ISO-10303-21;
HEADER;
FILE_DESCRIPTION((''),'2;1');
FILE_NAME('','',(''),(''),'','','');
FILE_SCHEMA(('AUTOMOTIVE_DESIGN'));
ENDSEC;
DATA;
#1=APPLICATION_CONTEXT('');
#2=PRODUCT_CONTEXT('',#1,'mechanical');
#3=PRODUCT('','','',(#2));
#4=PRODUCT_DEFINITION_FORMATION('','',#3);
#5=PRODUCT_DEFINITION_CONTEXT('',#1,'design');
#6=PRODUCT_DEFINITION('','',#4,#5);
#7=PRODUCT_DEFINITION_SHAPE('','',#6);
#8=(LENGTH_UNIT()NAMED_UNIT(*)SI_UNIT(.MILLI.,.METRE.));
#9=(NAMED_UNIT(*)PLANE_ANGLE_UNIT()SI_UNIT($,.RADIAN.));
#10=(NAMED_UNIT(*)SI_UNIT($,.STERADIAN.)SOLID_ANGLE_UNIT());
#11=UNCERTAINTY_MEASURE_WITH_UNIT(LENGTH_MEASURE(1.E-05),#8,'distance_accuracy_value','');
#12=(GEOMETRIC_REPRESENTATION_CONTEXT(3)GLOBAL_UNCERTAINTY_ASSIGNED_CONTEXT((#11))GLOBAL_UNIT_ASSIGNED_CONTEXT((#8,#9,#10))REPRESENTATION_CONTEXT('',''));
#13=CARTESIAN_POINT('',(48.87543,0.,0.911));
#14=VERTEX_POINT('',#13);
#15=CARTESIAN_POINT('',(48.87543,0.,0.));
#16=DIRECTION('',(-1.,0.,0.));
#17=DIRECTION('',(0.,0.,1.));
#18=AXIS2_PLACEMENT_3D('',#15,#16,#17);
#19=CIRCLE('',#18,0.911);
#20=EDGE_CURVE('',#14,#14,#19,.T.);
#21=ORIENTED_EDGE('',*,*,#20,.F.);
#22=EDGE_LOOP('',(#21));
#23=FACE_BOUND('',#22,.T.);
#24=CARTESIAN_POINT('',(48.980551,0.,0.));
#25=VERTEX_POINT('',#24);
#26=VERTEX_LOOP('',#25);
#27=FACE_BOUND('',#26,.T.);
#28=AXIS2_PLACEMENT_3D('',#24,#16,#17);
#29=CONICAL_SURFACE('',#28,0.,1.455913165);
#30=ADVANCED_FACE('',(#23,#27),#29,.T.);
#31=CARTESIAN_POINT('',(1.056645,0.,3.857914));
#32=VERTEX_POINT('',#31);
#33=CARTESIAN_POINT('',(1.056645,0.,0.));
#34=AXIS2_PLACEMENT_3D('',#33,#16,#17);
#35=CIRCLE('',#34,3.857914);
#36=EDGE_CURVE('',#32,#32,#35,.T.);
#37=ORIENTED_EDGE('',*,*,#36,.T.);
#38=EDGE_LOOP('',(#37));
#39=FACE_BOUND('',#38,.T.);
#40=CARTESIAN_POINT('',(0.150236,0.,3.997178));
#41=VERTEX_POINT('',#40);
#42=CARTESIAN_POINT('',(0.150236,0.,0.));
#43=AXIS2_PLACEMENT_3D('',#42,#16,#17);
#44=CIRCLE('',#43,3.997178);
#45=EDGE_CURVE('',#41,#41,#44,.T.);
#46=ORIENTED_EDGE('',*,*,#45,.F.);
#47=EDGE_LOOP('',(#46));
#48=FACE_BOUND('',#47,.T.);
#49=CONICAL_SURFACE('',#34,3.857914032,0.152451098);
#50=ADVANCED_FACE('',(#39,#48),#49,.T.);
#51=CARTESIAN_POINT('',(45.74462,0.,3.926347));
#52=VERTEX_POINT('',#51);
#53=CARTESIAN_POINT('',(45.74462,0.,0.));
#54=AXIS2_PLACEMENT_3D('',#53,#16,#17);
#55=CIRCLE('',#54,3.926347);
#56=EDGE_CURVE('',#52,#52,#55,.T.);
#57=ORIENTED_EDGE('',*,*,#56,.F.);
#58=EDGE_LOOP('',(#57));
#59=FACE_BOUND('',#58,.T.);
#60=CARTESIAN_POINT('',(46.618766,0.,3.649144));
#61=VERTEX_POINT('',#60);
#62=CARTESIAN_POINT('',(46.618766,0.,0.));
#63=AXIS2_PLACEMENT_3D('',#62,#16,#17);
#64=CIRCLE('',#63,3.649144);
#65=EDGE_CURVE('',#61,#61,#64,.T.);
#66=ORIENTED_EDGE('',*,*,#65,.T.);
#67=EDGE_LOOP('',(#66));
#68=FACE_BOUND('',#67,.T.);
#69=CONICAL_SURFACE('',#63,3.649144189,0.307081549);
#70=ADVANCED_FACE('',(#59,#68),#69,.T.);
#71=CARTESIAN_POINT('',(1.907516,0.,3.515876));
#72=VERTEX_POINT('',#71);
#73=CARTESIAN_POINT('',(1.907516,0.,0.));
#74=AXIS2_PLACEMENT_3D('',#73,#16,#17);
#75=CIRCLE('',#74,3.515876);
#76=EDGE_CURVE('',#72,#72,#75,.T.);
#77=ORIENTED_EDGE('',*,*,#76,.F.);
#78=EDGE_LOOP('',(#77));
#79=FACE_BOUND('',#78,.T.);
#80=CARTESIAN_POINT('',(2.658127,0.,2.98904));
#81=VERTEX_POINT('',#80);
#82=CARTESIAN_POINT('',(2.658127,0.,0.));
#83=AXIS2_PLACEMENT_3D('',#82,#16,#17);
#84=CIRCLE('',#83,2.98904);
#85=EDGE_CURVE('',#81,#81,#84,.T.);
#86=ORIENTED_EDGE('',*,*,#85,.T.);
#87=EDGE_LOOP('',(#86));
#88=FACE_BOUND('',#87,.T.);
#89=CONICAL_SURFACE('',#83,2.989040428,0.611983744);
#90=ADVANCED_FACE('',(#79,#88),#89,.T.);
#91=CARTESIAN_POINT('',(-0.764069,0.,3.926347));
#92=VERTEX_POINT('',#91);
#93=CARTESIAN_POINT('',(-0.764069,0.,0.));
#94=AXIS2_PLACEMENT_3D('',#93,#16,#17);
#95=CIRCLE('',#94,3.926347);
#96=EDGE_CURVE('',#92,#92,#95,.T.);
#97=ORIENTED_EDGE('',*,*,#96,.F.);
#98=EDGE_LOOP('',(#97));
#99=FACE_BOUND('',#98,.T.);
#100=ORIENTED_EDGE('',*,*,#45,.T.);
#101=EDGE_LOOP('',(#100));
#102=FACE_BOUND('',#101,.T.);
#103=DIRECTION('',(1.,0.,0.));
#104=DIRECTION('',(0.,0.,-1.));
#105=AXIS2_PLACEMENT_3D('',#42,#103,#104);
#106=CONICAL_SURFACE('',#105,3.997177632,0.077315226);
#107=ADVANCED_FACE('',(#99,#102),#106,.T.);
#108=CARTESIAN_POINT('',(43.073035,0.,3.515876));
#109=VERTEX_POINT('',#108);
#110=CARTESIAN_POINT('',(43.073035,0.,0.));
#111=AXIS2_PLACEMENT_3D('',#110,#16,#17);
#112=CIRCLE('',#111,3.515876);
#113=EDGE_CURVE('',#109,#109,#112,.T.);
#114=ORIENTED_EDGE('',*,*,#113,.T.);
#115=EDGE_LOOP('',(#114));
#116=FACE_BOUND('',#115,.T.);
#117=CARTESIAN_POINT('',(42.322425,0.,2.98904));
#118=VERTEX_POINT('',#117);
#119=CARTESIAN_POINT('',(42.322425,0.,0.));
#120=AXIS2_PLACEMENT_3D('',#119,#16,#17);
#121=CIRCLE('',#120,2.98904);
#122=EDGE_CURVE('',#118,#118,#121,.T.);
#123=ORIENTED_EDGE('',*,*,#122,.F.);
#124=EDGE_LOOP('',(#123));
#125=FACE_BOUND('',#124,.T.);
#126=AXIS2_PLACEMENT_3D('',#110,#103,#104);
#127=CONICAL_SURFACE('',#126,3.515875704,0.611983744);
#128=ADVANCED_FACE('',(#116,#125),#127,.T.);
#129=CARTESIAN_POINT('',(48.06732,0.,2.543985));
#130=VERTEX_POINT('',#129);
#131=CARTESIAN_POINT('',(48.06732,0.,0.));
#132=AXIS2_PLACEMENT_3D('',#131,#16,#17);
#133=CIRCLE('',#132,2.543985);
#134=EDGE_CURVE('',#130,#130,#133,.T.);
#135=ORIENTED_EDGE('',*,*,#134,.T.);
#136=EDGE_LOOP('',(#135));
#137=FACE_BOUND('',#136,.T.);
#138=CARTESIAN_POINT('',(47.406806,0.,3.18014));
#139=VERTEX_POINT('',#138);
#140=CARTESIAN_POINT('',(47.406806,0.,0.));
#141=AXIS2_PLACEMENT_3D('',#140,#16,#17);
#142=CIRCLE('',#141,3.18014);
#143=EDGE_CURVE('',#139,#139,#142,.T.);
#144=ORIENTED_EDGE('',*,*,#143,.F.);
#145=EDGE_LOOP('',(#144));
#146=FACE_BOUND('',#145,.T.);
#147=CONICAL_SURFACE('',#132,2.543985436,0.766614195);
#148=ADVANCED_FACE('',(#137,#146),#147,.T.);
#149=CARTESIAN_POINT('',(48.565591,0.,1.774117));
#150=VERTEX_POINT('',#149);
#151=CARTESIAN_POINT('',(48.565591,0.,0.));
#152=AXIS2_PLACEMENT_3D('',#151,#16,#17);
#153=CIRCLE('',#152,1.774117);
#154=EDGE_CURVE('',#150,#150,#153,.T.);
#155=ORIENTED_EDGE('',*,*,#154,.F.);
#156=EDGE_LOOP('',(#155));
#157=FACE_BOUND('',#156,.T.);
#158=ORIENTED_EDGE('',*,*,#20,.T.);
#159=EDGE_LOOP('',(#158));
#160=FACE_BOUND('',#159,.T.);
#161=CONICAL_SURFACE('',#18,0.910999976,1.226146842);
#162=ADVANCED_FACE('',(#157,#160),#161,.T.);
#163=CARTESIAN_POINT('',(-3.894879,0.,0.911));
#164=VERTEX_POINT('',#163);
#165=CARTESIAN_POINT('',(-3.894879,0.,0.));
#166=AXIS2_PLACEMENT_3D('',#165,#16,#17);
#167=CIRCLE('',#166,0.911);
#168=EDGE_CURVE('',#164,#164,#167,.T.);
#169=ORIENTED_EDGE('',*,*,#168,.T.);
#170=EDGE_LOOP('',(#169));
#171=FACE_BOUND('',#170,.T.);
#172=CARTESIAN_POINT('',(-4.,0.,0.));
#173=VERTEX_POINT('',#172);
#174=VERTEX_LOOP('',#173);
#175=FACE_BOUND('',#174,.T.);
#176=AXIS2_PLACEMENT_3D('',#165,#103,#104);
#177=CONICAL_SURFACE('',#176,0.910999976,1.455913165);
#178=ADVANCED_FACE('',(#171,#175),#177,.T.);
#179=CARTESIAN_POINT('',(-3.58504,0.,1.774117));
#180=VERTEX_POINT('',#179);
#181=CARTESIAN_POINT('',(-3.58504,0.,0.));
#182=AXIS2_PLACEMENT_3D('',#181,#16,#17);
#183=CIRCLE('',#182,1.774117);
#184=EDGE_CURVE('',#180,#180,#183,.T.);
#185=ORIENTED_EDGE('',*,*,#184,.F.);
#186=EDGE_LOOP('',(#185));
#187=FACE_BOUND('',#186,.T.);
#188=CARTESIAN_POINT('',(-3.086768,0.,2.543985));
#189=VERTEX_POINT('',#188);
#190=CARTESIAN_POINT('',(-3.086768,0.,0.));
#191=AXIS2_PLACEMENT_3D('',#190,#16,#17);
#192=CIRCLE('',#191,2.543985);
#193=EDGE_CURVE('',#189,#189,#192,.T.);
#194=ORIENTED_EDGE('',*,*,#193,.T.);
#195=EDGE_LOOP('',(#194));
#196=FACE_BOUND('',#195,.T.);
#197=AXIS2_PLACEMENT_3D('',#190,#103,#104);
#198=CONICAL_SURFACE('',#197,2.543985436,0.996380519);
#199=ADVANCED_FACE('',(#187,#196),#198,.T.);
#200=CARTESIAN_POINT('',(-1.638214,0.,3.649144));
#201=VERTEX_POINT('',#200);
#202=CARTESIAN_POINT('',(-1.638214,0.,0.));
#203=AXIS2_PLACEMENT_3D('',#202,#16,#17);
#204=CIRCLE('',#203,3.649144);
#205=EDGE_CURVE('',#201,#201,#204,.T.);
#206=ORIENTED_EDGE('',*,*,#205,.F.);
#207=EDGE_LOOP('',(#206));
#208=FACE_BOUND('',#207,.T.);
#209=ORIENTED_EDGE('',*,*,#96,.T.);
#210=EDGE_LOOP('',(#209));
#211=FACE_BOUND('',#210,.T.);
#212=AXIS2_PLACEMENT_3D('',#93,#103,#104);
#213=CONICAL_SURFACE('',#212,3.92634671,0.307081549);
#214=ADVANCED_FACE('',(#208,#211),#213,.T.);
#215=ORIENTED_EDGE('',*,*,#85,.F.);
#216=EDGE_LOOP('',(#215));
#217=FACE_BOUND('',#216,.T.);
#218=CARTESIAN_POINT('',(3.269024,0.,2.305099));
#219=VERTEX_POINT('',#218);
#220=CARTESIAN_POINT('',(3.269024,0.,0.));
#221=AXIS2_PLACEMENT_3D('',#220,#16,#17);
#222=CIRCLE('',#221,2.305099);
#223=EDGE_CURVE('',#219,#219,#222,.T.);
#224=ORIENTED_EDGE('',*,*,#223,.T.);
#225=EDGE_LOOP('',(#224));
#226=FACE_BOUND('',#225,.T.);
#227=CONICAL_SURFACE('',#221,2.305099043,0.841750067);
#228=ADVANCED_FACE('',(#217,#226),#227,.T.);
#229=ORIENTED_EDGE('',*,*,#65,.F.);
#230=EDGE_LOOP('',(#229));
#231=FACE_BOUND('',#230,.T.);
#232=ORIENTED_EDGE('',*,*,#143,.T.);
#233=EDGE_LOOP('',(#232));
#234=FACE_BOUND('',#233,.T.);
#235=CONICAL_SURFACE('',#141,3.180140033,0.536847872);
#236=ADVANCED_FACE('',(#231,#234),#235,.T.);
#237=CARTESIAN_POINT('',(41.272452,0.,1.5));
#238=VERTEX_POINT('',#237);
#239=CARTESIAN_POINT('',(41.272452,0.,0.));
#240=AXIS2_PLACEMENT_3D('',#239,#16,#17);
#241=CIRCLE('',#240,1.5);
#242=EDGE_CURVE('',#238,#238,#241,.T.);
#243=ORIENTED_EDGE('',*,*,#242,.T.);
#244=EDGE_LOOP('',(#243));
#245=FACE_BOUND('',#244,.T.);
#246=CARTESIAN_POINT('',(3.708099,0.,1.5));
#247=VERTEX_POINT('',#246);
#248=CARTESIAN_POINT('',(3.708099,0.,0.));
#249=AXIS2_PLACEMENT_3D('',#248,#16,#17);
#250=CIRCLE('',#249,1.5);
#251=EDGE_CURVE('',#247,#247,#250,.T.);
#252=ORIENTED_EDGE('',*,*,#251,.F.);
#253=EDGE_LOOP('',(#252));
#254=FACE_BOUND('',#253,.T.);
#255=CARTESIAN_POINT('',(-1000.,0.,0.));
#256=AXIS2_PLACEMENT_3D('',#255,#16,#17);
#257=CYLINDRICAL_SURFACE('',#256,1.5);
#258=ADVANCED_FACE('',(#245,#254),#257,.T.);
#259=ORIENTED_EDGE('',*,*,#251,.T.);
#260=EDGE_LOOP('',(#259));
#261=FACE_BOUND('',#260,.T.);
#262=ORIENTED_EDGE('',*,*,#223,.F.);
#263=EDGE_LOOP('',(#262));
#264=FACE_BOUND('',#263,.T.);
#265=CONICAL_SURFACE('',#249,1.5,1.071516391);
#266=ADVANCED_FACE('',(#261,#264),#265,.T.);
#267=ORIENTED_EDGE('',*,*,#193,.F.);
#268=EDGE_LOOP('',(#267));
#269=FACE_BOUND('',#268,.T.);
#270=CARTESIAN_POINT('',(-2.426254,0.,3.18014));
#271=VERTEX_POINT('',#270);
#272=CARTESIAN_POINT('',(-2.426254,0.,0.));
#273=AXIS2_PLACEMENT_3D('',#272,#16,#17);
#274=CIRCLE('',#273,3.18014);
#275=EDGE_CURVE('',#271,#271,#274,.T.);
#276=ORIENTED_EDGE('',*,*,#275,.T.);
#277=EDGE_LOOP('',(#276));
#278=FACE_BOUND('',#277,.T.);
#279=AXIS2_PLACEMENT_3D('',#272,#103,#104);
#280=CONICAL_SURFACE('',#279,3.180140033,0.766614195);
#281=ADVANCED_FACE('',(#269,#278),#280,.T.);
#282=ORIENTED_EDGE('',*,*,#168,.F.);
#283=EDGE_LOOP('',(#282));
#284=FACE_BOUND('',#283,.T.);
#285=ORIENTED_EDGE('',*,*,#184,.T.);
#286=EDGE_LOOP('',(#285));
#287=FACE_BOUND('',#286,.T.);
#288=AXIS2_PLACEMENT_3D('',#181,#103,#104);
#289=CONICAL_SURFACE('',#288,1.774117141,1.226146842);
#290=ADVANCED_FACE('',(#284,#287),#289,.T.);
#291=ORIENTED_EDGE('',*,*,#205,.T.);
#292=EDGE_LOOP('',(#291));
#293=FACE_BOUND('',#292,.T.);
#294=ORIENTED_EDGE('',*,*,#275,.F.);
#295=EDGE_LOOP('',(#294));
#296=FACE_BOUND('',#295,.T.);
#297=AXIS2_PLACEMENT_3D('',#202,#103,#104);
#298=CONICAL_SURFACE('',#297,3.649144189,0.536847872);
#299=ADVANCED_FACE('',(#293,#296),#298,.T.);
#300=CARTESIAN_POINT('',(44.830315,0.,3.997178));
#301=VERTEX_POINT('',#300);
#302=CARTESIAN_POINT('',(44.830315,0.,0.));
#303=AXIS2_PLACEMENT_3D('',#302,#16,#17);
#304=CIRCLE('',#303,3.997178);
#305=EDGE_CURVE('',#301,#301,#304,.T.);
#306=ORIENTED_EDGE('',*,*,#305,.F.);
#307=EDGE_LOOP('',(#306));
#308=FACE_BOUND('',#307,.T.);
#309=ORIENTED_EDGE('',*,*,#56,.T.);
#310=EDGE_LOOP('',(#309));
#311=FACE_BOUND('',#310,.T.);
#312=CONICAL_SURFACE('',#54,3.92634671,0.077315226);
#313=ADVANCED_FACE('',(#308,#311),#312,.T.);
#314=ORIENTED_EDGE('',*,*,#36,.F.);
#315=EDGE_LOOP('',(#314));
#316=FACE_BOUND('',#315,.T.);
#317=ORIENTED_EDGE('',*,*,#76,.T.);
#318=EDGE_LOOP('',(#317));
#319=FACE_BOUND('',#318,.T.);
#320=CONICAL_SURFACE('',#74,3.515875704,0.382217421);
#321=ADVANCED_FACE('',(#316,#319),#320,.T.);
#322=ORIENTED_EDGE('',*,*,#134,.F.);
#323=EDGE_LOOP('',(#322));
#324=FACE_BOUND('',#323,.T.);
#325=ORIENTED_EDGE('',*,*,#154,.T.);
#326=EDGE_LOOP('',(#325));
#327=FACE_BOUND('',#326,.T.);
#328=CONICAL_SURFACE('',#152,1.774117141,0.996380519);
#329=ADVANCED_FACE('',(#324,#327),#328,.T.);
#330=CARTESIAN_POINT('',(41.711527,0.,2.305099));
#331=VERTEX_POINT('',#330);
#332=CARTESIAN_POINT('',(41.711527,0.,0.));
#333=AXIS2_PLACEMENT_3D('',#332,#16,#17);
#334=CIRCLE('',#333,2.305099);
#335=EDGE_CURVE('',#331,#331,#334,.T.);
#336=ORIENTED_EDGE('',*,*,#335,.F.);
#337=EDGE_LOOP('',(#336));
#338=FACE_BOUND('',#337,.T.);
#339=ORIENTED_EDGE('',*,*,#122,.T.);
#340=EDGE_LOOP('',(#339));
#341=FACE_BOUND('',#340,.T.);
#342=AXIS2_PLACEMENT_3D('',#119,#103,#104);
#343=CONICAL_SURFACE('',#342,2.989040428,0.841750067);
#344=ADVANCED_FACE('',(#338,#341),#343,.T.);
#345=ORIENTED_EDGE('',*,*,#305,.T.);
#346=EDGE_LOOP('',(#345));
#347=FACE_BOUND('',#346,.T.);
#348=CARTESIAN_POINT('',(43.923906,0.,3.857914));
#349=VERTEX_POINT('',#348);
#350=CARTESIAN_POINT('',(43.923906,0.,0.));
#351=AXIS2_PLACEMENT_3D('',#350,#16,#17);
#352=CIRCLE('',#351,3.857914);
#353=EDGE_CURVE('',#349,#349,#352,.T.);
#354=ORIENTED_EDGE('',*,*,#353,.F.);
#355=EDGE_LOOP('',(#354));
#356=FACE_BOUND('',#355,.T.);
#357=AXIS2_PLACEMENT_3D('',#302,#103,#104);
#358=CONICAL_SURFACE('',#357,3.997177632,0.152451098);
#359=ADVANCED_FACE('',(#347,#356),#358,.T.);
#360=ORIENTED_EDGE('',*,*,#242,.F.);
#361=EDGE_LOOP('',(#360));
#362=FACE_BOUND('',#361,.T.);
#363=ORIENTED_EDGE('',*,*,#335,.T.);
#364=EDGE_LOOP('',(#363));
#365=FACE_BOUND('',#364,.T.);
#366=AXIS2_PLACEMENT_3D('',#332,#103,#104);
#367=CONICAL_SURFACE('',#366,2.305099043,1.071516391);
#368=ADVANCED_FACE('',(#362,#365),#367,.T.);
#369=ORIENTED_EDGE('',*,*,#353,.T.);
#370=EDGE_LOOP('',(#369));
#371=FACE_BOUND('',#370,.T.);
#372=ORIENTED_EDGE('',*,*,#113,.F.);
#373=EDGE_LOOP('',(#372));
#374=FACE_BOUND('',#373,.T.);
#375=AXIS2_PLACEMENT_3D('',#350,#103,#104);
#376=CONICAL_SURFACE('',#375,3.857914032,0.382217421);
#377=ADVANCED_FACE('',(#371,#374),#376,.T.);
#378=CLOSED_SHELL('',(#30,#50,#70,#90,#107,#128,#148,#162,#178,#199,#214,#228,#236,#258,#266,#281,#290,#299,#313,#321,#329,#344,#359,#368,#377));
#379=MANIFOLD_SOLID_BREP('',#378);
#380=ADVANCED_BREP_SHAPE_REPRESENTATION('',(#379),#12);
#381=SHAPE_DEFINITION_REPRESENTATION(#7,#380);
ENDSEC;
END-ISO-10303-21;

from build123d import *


with BuildPart() as part:
    # Pushrod Sketch → Pushrod (revolve)
    with BuildSketch(Plane.XY):
        Polygon((-4, 0), (-3.894878566, 0.910999976), (-3.585039521, 1.774117141), (-3.086768229, 2.543985436), (-2.426254185, 3.180140033), (-1.638214481, 3.649144189), (-0.76406905, 3.92634671), (0.150236399, 3.997177632), (1.056645315, 3.857914032), (1.907516195, 3.515875704), (2.658126657, 2.989040428), (3.269024075, 2.305099043), (3.708099244, 1.5), (41.272452109, 1.5), (41.711527278, 2.305099043), (42.322424696, 2.989040428), (43.073035158, 3.515875704), (43.923906038, 3.857914032), (44.830314954, 3.997177632), (45.744620403, 3.92634671), (46.618765834, 3.649144189), (47.406805538, 3.180140033), (48.067319582, 2.543985436), (48.565590874, 1.774117141), (48.875429919, 0.910999976), (48.980551353, 0), align=None)
    revolve(axis=Axis((-1000, 0, 0), (1, 0, 0)))


solid = part.part
